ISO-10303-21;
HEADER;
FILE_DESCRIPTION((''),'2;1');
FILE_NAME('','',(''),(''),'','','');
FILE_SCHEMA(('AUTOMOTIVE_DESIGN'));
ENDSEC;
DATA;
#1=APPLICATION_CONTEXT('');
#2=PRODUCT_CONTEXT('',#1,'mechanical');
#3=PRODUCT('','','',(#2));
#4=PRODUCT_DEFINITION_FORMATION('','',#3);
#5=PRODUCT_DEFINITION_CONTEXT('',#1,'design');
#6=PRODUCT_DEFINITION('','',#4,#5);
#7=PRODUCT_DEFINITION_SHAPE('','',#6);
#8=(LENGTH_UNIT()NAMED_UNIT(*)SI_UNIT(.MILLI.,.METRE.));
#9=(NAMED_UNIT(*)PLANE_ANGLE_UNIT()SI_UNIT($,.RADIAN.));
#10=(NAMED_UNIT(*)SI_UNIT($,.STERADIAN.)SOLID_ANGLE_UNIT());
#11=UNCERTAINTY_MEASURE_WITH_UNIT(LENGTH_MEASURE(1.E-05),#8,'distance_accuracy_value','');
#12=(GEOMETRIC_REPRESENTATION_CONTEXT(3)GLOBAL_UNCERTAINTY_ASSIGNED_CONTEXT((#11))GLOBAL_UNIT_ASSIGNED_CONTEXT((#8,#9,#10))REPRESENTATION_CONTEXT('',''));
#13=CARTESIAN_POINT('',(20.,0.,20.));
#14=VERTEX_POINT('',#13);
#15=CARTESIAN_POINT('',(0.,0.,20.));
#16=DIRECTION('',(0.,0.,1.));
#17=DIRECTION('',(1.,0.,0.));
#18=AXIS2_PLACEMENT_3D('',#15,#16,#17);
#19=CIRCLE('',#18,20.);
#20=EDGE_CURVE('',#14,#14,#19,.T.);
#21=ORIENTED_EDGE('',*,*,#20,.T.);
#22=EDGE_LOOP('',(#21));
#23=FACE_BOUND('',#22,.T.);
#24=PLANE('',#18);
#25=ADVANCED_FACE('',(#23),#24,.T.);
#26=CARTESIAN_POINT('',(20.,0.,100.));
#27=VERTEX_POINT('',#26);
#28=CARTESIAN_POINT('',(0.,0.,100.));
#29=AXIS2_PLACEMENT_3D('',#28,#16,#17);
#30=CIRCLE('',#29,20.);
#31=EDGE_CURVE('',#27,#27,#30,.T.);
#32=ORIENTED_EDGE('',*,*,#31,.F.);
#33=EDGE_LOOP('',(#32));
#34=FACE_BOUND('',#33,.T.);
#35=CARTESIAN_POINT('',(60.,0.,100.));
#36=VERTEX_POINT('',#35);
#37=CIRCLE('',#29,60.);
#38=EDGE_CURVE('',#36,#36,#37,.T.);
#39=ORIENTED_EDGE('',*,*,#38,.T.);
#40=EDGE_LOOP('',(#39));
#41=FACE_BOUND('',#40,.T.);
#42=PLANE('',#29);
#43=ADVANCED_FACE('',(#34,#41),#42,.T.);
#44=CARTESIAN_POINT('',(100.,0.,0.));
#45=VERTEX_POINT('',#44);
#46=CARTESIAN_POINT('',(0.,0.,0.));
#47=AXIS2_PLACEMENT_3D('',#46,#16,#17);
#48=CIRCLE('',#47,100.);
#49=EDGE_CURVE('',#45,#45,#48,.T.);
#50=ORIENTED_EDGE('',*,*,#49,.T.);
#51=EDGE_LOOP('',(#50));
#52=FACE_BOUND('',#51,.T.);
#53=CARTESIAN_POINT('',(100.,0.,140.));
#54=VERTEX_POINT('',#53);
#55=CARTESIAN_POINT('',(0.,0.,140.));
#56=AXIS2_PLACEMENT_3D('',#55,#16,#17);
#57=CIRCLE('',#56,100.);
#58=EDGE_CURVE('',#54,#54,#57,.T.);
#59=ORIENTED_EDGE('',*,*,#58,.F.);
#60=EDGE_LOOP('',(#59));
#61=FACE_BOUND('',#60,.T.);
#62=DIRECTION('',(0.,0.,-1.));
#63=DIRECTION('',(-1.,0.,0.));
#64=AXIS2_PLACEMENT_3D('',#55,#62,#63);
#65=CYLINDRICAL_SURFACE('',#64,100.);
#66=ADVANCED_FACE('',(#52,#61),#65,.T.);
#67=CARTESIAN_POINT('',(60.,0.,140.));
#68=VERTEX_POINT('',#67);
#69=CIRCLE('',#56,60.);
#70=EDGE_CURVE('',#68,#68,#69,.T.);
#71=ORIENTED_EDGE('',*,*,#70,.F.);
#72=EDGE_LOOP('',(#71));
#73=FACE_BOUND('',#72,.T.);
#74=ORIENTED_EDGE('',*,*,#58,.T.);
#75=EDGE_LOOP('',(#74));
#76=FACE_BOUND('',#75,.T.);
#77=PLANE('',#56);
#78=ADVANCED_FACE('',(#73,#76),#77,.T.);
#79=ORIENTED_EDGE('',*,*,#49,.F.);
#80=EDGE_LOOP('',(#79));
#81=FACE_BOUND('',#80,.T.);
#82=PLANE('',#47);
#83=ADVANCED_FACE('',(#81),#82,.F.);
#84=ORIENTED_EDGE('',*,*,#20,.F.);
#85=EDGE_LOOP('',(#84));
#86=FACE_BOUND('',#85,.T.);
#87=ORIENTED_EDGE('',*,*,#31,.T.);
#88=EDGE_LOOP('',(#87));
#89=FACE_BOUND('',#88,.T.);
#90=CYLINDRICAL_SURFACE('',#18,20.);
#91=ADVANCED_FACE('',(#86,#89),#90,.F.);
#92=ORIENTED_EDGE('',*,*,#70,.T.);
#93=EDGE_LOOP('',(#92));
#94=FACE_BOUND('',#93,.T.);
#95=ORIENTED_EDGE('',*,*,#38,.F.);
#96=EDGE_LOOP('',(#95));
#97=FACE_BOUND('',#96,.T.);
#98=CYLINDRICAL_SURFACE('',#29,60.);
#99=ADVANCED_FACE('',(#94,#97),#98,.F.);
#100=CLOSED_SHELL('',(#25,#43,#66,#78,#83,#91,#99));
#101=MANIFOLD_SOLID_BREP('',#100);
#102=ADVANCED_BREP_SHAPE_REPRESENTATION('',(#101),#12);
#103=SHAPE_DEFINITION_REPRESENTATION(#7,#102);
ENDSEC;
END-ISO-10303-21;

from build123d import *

# Parameters (mm, degrees)
SKETCH1_R           = 100
BOSS_EXTRUDE1_DEPTH = 140
SKETCH2_R           = 60
CUT_EXTRUDE1_DEPTH  = 40
SKETCH4_R           = 20
CUT_EXTRUDE2_DEPTH  = 80


with BuildPart() as part:
    # Sketch1 → Boss-Extrude1 (new body)
    with BuildSketch(Plane.XY):
        Circle(SKETCH1_R)
    extrude(amount=BOSS_EXTRUDE1_DEPTH)

    # Sketch2 → Cut-Extrude1 (cut)
    with BuildSketch(Plane.XY.offset(140)):
        Circle(SKETCH2_R)
    extrude(amount=-CUT_EXTRUDE1_DEPTH, mode=Mode.SUBTRACT)

    # Sketch4 → Cut-Extrude2 (cut)
    with BuildSketch(Plane.XY.offset(100)):
        Circle(SKETCH4_R)
    extrude(amount=-CUT_EXTRUDE2_DEPTH, mode=Mode.SUBTRACT)


solid = part.part
